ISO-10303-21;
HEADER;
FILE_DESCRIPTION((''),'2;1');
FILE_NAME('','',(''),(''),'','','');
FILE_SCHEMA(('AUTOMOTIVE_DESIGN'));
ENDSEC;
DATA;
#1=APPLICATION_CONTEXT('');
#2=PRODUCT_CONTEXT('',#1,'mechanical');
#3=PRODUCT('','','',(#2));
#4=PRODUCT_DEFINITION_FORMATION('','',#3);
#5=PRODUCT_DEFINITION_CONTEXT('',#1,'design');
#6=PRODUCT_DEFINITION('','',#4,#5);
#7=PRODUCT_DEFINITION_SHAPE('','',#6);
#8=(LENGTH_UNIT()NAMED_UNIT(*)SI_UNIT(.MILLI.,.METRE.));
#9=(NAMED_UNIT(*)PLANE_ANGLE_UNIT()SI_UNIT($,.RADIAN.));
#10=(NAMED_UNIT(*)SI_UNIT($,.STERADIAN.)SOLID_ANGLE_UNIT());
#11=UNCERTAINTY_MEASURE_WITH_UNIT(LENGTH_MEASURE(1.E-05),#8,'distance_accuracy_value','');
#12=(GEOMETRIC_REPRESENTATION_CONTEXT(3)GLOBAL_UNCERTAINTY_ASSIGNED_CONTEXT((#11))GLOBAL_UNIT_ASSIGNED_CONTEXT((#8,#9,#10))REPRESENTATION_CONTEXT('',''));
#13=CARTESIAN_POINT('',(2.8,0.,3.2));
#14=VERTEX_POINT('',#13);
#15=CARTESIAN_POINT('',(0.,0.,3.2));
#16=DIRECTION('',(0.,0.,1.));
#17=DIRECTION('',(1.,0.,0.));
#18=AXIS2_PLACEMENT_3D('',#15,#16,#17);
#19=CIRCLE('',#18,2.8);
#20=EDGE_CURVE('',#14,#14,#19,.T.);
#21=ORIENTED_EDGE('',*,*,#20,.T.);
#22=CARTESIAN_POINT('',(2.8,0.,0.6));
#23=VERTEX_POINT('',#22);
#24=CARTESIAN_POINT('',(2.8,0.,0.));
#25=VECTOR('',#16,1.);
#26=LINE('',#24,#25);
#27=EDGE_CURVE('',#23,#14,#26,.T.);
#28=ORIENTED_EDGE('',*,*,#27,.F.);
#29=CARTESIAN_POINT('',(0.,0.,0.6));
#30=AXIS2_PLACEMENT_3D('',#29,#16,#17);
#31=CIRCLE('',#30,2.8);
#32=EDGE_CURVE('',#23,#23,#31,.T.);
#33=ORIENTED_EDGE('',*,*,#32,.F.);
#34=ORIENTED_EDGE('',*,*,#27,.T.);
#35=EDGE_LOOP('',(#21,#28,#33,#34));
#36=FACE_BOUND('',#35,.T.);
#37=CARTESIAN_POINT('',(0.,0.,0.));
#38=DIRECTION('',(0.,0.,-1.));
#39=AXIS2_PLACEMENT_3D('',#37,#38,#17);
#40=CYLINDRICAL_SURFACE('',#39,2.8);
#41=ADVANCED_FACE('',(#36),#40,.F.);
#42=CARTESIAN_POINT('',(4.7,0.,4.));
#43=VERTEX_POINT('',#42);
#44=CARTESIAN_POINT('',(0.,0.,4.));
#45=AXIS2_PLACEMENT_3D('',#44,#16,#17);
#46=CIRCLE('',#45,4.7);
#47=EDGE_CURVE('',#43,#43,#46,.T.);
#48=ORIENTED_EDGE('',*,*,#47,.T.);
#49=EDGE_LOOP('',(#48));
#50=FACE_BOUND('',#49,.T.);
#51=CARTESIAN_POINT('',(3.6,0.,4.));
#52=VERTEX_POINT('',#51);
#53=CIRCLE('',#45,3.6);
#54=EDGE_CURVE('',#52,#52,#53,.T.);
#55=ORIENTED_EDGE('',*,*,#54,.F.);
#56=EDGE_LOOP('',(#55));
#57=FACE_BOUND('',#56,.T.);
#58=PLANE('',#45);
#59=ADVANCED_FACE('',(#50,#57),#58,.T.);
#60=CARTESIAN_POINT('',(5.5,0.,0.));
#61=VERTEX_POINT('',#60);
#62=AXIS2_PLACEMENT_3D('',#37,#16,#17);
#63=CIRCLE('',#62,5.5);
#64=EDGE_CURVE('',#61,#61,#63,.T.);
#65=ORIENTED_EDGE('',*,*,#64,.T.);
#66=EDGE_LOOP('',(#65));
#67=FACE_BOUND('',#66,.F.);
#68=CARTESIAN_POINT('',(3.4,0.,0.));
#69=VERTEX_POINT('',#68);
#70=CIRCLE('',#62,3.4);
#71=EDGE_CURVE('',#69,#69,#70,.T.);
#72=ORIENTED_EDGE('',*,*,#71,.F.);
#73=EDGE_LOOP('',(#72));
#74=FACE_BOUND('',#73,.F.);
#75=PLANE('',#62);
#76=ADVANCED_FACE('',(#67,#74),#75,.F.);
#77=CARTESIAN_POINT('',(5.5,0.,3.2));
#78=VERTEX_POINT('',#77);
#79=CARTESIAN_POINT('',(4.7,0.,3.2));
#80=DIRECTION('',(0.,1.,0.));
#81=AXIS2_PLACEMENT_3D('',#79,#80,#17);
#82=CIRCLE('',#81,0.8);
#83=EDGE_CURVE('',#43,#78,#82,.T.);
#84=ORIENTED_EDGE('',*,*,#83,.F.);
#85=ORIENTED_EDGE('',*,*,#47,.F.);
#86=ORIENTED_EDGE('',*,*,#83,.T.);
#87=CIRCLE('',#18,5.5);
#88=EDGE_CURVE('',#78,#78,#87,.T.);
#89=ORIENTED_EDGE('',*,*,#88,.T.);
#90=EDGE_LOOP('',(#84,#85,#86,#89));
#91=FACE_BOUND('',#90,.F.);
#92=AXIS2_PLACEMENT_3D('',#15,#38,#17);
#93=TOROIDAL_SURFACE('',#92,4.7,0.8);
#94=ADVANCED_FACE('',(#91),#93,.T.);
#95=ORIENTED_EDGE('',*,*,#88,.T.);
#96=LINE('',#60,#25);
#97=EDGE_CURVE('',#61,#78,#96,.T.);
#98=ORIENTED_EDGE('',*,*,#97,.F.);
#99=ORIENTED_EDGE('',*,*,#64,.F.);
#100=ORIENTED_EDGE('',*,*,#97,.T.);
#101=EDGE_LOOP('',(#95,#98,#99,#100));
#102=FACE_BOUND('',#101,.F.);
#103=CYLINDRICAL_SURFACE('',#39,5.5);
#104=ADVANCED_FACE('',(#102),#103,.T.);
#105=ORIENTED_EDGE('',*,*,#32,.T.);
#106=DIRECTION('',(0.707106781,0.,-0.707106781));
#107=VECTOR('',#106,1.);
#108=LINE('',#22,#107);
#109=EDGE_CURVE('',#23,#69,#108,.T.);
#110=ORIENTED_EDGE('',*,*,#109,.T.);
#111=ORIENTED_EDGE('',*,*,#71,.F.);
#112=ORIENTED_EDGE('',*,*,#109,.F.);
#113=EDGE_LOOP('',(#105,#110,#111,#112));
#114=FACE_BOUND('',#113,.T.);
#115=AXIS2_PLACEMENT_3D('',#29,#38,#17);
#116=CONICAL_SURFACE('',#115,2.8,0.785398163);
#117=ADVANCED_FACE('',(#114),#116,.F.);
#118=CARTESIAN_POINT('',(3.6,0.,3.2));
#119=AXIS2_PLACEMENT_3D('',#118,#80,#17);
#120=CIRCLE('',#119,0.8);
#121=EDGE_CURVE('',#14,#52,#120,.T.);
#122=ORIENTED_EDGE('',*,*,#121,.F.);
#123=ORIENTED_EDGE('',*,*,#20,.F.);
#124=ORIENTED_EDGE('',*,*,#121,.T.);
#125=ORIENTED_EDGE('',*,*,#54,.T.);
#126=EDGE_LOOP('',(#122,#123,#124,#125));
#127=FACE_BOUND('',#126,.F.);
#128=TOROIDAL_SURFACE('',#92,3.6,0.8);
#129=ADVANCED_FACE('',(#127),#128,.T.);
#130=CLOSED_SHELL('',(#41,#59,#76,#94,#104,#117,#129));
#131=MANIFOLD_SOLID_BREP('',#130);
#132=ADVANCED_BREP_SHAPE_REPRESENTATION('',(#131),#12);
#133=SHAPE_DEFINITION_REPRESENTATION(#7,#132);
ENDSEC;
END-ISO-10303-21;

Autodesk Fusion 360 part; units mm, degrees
sketch "Sketch1" plane through (0, 0, 0) normal (0, 0, 1) x (1, 0, 0)
  circle A0 centre (0, 0) radius 2.8
  circle A1 centre (0, 0) radius 5.5
  dimension "d1" = 5.6
  dimension "d2" = 2.7
extrude "Extrude1" add sketch "Sketch1" along normal blind 4
chamfer "Chamfer1" distance 0.6 angle 45 1 edges at (-2.6105, 1.0125, 0)
fillet "Fillet1" radius 0.8 1 faces at (4.5691, -0.4124, 4)
